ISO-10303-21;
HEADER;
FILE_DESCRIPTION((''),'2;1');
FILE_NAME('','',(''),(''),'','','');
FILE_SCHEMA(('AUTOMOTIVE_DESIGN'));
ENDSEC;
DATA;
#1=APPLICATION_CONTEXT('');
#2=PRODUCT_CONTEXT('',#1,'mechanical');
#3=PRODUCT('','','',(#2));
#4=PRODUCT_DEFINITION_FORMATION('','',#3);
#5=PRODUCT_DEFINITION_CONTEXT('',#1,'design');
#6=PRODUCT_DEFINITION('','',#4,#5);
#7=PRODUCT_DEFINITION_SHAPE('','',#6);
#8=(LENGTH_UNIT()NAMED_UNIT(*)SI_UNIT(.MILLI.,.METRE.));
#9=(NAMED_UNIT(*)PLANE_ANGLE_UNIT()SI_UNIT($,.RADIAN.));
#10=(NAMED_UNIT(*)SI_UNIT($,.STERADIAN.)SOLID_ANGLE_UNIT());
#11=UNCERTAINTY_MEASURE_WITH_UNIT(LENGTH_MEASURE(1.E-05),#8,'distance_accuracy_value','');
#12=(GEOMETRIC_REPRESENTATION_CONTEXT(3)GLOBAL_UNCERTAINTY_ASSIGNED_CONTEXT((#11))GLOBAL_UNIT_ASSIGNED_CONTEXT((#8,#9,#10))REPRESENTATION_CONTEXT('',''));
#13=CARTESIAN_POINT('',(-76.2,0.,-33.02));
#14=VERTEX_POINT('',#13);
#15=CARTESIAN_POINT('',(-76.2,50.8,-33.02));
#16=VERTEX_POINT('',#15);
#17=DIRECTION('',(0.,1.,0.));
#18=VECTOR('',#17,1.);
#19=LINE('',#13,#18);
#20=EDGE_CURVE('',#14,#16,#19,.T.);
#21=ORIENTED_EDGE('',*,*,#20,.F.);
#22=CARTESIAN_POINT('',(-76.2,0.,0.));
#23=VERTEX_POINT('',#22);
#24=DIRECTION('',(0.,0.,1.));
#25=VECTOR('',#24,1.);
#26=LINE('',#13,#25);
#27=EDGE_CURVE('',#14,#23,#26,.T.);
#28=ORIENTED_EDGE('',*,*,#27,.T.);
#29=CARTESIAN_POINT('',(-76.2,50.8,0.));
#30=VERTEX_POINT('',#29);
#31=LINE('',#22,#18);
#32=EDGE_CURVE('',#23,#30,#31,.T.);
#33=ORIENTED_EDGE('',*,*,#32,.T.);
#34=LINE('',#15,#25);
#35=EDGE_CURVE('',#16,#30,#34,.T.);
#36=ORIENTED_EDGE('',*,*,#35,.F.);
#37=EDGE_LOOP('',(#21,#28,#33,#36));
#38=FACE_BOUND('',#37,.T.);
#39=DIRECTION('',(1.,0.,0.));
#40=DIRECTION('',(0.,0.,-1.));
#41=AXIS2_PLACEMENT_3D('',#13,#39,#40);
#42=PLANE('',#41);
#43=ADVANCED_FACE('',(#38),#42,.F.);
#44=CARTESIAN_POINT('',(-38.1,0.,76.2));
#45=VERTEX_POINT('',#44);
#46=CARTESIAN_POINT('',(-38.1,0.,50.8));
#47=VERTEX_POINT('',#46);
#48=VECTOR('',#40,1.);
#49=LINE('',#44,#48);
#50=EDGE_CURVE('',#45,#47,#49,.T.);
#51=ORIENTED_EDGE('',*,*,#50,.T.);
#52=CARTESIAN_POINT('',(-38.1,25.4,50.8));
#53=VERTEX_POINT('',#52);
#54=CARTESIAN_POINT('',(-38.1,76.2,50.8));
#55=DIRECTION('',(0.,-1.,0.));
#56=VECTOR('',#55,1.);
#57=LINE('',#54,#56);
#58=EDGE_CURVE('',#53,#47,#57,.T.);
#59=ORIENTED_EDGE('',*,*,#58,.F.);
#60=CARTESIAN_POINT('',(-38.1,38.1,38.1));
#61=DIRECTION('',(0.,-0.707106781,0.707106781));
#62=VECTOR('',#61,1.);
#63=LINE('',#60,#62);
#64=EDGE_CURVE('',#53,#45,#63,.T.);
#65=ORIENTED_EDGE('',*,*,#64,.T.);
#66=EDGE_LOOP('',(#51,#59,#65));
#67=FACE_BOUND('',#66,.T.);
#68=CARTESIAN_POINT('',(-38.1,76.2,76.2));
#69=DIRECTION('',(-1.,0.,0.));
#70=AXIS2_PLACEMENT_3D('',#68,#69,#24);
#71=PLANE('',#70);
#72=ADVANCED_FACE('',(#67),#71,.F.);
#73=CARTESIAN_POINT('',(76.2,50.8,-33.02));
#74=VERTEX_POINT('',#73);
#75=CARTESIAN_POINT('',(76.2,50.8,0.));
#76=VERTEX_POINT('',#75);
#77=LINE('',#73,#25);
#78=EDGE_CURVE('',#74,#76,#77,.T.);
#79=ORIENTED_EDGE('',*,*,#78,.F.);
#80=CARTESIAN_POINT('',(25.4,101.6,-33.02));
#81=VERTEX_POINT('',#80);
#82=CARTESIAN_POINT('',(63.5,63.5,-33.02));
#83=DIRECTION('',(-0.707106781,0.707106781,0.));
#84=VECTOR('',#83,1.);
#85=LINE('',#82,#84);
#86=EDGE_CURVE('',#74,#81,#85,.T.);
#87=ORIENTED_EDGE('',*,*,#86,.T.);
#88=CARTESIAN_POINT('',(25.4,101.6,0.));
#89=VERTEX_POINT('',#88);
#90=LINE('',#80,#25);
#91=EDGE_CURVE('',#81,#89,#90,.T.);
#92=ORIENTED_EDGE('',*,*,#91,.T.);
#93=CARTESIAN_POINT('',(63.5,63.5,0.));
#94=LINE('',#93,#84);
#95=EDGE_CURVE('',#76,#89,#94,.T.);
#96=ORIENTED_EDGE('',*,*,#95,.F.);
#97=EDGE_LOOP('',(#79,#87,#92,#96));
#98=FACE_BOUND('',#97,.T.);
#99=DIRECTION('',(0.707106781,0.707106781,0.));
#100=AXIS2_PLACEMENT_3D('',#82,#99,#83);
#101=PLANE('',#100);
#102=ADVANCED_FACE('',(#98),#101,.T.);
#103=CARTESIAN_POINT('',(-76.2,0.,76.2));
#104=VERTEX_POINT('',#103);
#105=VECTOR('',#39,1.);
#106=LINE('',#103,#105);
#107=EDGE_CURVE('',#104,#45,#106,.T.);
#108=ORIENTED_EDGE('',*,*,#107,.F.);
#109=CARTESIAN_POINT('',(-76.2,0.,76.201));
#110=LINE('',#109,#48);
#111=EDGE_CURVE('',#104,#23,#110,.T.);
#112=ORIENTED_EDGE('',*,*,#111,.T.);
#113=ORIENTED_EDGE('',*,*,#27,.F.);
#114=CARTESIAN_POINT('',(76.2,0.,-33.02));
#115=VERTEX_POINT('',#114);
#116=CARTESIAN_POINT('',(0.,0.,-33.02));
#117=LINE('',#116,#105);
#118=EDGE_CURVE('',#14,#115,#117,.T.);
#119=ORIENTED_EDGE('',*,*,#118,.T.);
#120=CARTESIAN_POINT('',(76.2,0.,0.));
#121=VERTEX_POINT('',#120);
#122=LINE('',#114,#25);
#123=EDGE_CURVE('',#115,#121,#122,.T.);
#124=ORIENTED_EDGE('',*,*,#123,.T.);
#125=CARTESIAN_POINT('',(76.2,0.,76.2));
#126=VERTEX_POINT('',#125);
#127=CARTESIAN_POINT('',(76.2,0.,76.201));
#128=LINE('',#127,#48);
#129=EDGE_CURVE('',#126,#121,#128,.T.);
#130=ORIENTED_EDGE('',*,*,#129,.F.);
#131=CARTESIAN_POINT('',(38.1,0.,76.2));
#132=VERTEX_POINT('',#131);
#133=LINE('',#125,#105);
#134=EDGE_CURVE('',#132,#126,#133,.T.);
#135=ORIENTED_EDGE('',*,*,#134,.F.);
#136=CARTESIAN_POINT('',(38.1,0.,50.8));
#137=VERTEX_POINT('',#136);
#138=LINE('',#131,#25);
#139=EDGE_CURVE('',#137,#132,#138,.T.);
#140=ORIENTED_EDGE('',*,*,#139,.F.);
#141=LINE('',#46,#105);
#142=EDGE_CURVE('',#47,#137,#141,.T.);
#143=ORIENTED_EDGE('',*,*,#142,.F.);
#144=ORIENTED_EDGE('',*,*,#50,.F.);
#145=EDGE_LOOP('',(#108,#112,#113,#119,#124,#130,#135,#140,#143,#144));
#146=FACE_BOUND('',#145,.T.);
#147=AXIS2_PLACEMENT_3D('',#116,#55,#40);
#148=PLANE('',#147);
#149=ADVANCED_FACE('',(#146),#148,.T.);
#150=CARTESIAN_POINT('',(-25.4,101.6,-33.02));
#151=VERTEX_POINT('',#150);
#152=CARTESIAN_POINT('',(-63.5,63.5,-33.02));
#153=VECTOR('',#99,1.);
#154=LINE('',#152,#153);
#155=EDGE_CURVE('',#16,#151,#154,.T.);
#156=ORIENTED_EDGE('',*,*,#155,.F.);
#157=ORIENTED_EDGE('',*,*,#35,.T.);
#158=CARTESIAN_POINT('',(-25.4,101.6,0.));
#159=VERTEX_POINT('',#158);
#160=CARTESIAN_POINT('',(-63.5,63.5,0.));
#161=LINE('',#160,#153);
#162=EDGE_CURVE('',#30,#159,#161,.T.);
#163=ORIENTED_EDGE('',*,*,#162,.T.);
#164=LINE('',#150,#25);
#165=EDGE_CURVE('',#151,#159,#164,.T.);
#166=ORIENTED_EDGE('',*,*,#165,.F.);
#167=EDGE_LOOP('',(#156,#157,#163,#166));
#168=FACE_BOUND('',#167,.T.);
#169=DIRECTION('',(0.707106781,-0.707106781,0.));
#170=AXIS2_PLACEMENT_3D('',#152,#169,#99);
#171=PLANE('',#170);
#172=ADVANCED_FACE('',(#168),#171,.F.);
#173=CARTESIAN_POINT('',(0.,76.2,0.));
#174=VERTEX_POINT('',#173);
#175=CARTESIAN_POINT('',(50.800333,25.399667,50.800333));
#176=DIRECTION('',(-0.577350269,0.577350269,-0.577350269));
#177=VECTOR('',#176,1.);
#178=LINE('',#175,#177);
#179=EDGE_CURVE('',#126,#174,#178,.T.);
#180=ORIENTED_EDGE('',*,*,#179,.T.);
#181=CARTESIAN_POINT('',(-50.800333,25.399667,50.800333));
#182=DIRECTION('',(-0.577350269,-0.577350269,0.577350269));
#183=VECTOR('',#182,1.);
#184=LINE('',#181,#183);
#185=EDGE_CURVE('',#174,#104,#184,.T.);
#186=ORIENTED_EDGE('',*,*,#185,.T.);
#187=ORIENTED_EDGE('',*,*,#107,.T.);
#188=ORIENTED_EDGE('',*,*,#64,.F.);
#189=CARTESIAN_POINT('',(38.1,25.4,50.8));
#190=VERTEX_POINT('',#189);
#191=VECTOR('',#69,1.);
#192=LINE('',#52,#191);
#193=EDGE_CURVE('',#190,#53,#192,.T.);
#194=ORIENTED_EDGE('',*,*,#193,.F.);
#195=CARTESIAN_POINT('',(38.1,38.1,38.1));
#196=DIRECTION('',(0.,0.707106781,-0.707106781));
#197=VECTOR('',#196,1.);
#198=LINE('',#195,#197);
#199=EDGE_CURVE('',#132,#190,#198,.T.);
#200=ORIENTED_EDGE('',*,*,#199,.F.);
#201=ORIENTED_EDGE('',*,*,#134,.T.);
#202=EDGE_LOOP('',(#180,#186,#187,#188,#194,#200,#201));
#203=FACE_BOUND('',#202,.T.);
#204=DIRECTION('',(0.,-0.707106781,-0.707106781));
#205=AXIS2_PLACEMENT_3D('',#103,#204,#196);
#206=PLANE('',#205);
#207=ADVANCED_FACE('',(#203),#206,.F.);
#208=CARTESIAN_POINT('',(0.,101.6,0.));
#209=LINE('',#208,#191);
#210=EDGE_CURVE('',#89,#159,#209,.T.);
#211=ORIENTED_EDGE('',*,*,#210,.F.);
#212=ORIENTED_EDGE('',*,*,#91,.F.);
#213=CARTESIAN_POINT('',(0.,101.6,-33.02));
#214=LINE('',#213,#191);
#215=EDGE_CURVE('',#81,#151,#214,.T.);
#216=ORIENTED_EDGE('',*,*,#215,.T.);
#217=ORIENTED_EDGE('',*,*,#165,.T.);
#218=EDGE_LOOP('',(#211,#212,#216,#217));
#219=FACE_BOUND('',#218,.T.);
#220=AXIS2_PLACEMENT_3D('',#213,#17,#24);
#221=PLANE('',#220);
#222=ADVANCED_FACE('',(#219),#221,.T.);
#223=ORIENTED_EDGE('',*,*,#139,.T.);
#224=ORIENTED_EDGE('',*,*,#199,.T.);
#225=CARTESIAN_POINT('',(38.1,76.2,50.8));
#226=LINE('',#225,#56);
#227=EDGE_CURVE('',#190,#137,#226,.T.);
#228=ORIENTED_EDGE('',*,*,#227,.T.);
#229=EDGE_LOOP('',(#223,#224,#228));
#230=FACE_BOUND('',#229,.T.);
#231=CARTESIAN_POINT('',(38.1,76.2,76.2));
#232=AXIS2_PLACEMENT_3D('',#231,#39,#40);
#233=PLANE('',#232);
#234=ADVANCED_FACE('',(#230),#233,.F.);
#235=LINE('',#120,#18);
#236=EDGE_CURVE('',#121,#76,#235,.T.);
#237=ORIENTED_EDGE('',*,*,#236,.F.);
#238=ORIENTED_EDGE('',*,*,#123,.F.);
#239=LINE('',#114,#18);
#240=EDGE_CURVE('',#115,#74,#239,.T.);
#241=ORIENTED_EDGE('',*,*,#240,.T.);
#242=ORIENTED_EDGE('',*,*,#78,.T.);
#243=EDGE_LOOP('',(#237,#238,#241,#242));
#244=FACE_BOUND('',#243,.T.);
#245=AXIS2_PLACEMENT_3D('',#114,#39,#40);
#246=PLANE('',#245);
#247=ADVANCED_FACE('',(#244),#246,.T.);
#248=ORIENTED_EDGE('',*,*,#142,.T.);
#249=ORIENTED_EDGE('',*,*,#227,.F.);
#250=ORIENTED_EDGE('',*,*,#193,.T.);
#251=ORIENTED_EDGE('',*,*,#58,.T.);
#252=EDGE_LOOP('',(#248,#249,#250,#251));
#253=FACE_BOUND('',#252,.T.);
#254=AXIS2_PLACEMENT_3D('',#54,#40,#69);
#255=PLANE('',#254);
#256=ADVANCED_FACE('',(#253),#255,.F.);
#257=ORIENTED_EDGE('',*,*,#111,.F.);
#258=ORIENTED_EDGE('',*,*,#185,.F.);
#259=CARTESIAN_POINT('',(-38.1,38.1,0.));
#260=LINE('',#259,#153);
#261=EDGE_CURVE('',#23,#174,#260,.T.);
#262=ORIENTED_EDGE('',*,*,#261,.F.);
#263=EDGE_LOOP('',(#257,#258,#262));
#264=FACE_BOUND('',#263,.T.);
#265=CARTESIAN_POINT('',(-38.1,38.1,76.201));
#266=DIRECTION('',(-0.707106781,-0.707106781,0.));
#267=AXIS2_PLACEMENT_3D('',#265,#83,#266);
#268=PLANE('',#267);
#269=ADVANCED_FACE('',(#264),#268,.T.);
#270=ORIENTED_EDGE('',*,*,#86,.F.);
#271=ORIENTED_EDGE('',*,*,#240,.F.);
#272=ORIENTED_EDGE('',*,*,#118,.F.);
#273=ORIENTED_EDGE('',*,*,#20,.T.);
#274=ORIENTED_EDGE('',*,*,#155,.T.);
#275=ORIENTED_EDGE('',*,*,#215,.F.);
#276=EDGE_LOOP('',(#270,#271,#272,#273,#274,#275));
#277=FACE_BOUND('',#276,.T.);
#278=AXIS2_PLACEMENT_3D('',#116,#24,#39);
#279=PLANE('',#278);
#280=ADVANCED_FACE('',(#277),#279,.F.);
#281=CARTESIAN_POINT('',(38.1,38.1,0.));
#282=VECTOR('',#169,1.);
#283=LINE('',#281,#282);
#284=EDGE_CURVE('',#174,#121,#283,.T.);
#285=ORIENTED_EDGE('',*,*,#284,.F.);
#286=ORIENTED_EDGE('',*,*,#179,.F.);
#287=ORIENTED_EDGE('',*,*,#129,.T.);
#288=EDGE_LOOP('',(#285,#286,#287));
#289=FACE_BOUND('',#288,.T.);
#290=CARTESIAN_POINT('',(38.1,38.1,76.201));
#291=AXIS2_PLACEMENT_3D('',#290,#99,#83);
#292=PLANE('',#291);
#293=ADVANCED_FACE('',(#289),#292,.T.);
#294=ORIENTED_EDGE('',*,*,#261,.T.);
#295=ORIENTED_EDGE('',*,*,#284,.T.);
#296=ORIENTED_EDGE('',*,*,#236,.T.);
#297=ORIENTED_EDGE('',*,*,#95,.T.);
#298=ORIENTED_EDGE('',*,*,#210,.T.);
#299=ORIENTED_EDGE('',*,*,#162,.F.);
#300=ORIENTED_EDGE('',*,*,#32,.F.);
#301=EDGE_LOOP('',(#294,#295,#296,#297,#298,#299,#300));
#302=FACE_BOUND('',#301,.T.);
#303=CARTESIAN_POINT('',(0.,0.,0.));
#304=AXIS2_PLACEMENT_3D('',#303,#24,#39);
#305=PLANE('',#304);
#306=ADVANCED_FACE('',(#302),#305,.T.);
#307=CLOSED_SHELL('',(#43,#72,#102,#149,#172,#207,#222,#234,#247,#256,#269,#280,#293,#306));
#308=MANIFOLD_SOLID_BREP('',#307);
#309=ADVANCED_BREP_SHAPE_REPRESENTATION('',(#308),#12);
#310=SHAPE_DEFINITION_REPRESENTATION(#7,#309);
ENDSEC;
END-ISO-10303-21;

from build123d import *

# Parameters (mm, degrees)
BOSS_EXTRUDE1_DEPTH     = 33.02
BOSS_EXTRUDE2_DEPTH     = 76.2
CUT_EXTRUDE1_REACH      = 150.106
CUT_EXTRUDE2_DEPTH      = 149.106178129
CUT_EXTRUDE2_DEPTH_BACK = 149.106178129


with BuildPart() as part:
    # Sketch1 → Boss-Extrude1 (new body)
    with BuildSketch(Plane.XY):
        Polygon((-76.2, 50.8), (-76.2, 0), (0, 76.2), (0, 101.6), (-25.4, 101.6), align=None)
        Polygon((0, 101.6), (0, 76.2), (76.2, 0), (76.2, 50.8), (25.4, 101.6), align=None)
        Polygon((0, 76.2), (0, 0), (76.2, 0), align=None)
        Polygon((0, 76.2), (-76.2, 0), (0, 0), align=None)
    extrude(amount=-BOSS_EXTRUDE1_DEPTH)

    # Sketch2 → Boss-Extrude2 (add)
    with BuildSketch(Plane(origin=(0, 0, 0), x_dir=(1, 0, 0), z_dir=(0, 1, 0))):
        Polygon((-76.2, 0), (-76.2, -76.2), (-38.1, -76.2), (-38.1, -50.8), (38.1, -50.8), (38.1, -76.2), (76.2, -76.2), (76.2, 0), align=None)
    extrude(amount=BOSS_EXTRUDE2_DEPTH)

    # Sketch1<5> → Cut-Extrude1 (cut, up to next)
    with BuildSketch(Plane.XY, mode=Mode.PRIVATE) as cut_extrude1_sk1:
        Polygon((-76.2, 50.8), (-76.2, 0), (0, 76.2), (0, 101.6), (-25.4, 101.6), align=None)
    cut_extrude1_tool1 = extrude(cut_extrude1_sk1.sketch, amount=CUT_EXTRUDE1_REACH, mode=Mode.PRIVATE) & part.part
    # Sketch1<5> → Cut-Extrude1 (cut, up to next)
    with BuildSketch(Plane.XY, mode=Mode.PRIVATE) as cut_extrude1_sk2:
        Polygon((0, 101.6), (0, 76.2), (76.2, 0), (76.2, 50.8), (25.4, 101.6), align=None)
    cut_extrude1_tool2 = extrude(cut_extrude1_sk2.sketch, amount=CUT_EXTRUDE1_REACH, mode=Mode.PRIVATE) & part.part
    add(cut_extrude1_tool1.solids().sort_by_distance((-40.793939, 59.266667, 0))[0], mode=Mode.SUBTRACT)
    add(cut_extrude1_tool2.solids().sort_by_distance((40.793939, 59.266667, 0))[0], mode=Mode.SUBTRACT)


with BuildPart() as body_2:
    # of the pieces the cut leaves, the one that is kept (cut_extrude1_keep)
    add(part.part.solids().sort_by_distance((-25.4, 101.6, 0))[0])

    # Sketch6 → Cut-Extrude2 (cut, two sides)
    with BuildSketch(Plane(origin=(0, 0, 0), x_dir=(0, 0, -1), z_dir=(1, 0, 0))) as cut_extrude2_sk:
        Polygon((-76.2, 0), (0, 76.2), (-76.2, 76.2), align=None)
    extrude(amount=CUT_EXTRUDE2_DEPTH, mode=Mode.SUBTRACT)
    extrude(cut_extrude2_sk.sketch, amount=-CUT_EXTRUDE2_DEPTH_BACK, mode=Mode.SUBTRACT)


solid = body_2.part
